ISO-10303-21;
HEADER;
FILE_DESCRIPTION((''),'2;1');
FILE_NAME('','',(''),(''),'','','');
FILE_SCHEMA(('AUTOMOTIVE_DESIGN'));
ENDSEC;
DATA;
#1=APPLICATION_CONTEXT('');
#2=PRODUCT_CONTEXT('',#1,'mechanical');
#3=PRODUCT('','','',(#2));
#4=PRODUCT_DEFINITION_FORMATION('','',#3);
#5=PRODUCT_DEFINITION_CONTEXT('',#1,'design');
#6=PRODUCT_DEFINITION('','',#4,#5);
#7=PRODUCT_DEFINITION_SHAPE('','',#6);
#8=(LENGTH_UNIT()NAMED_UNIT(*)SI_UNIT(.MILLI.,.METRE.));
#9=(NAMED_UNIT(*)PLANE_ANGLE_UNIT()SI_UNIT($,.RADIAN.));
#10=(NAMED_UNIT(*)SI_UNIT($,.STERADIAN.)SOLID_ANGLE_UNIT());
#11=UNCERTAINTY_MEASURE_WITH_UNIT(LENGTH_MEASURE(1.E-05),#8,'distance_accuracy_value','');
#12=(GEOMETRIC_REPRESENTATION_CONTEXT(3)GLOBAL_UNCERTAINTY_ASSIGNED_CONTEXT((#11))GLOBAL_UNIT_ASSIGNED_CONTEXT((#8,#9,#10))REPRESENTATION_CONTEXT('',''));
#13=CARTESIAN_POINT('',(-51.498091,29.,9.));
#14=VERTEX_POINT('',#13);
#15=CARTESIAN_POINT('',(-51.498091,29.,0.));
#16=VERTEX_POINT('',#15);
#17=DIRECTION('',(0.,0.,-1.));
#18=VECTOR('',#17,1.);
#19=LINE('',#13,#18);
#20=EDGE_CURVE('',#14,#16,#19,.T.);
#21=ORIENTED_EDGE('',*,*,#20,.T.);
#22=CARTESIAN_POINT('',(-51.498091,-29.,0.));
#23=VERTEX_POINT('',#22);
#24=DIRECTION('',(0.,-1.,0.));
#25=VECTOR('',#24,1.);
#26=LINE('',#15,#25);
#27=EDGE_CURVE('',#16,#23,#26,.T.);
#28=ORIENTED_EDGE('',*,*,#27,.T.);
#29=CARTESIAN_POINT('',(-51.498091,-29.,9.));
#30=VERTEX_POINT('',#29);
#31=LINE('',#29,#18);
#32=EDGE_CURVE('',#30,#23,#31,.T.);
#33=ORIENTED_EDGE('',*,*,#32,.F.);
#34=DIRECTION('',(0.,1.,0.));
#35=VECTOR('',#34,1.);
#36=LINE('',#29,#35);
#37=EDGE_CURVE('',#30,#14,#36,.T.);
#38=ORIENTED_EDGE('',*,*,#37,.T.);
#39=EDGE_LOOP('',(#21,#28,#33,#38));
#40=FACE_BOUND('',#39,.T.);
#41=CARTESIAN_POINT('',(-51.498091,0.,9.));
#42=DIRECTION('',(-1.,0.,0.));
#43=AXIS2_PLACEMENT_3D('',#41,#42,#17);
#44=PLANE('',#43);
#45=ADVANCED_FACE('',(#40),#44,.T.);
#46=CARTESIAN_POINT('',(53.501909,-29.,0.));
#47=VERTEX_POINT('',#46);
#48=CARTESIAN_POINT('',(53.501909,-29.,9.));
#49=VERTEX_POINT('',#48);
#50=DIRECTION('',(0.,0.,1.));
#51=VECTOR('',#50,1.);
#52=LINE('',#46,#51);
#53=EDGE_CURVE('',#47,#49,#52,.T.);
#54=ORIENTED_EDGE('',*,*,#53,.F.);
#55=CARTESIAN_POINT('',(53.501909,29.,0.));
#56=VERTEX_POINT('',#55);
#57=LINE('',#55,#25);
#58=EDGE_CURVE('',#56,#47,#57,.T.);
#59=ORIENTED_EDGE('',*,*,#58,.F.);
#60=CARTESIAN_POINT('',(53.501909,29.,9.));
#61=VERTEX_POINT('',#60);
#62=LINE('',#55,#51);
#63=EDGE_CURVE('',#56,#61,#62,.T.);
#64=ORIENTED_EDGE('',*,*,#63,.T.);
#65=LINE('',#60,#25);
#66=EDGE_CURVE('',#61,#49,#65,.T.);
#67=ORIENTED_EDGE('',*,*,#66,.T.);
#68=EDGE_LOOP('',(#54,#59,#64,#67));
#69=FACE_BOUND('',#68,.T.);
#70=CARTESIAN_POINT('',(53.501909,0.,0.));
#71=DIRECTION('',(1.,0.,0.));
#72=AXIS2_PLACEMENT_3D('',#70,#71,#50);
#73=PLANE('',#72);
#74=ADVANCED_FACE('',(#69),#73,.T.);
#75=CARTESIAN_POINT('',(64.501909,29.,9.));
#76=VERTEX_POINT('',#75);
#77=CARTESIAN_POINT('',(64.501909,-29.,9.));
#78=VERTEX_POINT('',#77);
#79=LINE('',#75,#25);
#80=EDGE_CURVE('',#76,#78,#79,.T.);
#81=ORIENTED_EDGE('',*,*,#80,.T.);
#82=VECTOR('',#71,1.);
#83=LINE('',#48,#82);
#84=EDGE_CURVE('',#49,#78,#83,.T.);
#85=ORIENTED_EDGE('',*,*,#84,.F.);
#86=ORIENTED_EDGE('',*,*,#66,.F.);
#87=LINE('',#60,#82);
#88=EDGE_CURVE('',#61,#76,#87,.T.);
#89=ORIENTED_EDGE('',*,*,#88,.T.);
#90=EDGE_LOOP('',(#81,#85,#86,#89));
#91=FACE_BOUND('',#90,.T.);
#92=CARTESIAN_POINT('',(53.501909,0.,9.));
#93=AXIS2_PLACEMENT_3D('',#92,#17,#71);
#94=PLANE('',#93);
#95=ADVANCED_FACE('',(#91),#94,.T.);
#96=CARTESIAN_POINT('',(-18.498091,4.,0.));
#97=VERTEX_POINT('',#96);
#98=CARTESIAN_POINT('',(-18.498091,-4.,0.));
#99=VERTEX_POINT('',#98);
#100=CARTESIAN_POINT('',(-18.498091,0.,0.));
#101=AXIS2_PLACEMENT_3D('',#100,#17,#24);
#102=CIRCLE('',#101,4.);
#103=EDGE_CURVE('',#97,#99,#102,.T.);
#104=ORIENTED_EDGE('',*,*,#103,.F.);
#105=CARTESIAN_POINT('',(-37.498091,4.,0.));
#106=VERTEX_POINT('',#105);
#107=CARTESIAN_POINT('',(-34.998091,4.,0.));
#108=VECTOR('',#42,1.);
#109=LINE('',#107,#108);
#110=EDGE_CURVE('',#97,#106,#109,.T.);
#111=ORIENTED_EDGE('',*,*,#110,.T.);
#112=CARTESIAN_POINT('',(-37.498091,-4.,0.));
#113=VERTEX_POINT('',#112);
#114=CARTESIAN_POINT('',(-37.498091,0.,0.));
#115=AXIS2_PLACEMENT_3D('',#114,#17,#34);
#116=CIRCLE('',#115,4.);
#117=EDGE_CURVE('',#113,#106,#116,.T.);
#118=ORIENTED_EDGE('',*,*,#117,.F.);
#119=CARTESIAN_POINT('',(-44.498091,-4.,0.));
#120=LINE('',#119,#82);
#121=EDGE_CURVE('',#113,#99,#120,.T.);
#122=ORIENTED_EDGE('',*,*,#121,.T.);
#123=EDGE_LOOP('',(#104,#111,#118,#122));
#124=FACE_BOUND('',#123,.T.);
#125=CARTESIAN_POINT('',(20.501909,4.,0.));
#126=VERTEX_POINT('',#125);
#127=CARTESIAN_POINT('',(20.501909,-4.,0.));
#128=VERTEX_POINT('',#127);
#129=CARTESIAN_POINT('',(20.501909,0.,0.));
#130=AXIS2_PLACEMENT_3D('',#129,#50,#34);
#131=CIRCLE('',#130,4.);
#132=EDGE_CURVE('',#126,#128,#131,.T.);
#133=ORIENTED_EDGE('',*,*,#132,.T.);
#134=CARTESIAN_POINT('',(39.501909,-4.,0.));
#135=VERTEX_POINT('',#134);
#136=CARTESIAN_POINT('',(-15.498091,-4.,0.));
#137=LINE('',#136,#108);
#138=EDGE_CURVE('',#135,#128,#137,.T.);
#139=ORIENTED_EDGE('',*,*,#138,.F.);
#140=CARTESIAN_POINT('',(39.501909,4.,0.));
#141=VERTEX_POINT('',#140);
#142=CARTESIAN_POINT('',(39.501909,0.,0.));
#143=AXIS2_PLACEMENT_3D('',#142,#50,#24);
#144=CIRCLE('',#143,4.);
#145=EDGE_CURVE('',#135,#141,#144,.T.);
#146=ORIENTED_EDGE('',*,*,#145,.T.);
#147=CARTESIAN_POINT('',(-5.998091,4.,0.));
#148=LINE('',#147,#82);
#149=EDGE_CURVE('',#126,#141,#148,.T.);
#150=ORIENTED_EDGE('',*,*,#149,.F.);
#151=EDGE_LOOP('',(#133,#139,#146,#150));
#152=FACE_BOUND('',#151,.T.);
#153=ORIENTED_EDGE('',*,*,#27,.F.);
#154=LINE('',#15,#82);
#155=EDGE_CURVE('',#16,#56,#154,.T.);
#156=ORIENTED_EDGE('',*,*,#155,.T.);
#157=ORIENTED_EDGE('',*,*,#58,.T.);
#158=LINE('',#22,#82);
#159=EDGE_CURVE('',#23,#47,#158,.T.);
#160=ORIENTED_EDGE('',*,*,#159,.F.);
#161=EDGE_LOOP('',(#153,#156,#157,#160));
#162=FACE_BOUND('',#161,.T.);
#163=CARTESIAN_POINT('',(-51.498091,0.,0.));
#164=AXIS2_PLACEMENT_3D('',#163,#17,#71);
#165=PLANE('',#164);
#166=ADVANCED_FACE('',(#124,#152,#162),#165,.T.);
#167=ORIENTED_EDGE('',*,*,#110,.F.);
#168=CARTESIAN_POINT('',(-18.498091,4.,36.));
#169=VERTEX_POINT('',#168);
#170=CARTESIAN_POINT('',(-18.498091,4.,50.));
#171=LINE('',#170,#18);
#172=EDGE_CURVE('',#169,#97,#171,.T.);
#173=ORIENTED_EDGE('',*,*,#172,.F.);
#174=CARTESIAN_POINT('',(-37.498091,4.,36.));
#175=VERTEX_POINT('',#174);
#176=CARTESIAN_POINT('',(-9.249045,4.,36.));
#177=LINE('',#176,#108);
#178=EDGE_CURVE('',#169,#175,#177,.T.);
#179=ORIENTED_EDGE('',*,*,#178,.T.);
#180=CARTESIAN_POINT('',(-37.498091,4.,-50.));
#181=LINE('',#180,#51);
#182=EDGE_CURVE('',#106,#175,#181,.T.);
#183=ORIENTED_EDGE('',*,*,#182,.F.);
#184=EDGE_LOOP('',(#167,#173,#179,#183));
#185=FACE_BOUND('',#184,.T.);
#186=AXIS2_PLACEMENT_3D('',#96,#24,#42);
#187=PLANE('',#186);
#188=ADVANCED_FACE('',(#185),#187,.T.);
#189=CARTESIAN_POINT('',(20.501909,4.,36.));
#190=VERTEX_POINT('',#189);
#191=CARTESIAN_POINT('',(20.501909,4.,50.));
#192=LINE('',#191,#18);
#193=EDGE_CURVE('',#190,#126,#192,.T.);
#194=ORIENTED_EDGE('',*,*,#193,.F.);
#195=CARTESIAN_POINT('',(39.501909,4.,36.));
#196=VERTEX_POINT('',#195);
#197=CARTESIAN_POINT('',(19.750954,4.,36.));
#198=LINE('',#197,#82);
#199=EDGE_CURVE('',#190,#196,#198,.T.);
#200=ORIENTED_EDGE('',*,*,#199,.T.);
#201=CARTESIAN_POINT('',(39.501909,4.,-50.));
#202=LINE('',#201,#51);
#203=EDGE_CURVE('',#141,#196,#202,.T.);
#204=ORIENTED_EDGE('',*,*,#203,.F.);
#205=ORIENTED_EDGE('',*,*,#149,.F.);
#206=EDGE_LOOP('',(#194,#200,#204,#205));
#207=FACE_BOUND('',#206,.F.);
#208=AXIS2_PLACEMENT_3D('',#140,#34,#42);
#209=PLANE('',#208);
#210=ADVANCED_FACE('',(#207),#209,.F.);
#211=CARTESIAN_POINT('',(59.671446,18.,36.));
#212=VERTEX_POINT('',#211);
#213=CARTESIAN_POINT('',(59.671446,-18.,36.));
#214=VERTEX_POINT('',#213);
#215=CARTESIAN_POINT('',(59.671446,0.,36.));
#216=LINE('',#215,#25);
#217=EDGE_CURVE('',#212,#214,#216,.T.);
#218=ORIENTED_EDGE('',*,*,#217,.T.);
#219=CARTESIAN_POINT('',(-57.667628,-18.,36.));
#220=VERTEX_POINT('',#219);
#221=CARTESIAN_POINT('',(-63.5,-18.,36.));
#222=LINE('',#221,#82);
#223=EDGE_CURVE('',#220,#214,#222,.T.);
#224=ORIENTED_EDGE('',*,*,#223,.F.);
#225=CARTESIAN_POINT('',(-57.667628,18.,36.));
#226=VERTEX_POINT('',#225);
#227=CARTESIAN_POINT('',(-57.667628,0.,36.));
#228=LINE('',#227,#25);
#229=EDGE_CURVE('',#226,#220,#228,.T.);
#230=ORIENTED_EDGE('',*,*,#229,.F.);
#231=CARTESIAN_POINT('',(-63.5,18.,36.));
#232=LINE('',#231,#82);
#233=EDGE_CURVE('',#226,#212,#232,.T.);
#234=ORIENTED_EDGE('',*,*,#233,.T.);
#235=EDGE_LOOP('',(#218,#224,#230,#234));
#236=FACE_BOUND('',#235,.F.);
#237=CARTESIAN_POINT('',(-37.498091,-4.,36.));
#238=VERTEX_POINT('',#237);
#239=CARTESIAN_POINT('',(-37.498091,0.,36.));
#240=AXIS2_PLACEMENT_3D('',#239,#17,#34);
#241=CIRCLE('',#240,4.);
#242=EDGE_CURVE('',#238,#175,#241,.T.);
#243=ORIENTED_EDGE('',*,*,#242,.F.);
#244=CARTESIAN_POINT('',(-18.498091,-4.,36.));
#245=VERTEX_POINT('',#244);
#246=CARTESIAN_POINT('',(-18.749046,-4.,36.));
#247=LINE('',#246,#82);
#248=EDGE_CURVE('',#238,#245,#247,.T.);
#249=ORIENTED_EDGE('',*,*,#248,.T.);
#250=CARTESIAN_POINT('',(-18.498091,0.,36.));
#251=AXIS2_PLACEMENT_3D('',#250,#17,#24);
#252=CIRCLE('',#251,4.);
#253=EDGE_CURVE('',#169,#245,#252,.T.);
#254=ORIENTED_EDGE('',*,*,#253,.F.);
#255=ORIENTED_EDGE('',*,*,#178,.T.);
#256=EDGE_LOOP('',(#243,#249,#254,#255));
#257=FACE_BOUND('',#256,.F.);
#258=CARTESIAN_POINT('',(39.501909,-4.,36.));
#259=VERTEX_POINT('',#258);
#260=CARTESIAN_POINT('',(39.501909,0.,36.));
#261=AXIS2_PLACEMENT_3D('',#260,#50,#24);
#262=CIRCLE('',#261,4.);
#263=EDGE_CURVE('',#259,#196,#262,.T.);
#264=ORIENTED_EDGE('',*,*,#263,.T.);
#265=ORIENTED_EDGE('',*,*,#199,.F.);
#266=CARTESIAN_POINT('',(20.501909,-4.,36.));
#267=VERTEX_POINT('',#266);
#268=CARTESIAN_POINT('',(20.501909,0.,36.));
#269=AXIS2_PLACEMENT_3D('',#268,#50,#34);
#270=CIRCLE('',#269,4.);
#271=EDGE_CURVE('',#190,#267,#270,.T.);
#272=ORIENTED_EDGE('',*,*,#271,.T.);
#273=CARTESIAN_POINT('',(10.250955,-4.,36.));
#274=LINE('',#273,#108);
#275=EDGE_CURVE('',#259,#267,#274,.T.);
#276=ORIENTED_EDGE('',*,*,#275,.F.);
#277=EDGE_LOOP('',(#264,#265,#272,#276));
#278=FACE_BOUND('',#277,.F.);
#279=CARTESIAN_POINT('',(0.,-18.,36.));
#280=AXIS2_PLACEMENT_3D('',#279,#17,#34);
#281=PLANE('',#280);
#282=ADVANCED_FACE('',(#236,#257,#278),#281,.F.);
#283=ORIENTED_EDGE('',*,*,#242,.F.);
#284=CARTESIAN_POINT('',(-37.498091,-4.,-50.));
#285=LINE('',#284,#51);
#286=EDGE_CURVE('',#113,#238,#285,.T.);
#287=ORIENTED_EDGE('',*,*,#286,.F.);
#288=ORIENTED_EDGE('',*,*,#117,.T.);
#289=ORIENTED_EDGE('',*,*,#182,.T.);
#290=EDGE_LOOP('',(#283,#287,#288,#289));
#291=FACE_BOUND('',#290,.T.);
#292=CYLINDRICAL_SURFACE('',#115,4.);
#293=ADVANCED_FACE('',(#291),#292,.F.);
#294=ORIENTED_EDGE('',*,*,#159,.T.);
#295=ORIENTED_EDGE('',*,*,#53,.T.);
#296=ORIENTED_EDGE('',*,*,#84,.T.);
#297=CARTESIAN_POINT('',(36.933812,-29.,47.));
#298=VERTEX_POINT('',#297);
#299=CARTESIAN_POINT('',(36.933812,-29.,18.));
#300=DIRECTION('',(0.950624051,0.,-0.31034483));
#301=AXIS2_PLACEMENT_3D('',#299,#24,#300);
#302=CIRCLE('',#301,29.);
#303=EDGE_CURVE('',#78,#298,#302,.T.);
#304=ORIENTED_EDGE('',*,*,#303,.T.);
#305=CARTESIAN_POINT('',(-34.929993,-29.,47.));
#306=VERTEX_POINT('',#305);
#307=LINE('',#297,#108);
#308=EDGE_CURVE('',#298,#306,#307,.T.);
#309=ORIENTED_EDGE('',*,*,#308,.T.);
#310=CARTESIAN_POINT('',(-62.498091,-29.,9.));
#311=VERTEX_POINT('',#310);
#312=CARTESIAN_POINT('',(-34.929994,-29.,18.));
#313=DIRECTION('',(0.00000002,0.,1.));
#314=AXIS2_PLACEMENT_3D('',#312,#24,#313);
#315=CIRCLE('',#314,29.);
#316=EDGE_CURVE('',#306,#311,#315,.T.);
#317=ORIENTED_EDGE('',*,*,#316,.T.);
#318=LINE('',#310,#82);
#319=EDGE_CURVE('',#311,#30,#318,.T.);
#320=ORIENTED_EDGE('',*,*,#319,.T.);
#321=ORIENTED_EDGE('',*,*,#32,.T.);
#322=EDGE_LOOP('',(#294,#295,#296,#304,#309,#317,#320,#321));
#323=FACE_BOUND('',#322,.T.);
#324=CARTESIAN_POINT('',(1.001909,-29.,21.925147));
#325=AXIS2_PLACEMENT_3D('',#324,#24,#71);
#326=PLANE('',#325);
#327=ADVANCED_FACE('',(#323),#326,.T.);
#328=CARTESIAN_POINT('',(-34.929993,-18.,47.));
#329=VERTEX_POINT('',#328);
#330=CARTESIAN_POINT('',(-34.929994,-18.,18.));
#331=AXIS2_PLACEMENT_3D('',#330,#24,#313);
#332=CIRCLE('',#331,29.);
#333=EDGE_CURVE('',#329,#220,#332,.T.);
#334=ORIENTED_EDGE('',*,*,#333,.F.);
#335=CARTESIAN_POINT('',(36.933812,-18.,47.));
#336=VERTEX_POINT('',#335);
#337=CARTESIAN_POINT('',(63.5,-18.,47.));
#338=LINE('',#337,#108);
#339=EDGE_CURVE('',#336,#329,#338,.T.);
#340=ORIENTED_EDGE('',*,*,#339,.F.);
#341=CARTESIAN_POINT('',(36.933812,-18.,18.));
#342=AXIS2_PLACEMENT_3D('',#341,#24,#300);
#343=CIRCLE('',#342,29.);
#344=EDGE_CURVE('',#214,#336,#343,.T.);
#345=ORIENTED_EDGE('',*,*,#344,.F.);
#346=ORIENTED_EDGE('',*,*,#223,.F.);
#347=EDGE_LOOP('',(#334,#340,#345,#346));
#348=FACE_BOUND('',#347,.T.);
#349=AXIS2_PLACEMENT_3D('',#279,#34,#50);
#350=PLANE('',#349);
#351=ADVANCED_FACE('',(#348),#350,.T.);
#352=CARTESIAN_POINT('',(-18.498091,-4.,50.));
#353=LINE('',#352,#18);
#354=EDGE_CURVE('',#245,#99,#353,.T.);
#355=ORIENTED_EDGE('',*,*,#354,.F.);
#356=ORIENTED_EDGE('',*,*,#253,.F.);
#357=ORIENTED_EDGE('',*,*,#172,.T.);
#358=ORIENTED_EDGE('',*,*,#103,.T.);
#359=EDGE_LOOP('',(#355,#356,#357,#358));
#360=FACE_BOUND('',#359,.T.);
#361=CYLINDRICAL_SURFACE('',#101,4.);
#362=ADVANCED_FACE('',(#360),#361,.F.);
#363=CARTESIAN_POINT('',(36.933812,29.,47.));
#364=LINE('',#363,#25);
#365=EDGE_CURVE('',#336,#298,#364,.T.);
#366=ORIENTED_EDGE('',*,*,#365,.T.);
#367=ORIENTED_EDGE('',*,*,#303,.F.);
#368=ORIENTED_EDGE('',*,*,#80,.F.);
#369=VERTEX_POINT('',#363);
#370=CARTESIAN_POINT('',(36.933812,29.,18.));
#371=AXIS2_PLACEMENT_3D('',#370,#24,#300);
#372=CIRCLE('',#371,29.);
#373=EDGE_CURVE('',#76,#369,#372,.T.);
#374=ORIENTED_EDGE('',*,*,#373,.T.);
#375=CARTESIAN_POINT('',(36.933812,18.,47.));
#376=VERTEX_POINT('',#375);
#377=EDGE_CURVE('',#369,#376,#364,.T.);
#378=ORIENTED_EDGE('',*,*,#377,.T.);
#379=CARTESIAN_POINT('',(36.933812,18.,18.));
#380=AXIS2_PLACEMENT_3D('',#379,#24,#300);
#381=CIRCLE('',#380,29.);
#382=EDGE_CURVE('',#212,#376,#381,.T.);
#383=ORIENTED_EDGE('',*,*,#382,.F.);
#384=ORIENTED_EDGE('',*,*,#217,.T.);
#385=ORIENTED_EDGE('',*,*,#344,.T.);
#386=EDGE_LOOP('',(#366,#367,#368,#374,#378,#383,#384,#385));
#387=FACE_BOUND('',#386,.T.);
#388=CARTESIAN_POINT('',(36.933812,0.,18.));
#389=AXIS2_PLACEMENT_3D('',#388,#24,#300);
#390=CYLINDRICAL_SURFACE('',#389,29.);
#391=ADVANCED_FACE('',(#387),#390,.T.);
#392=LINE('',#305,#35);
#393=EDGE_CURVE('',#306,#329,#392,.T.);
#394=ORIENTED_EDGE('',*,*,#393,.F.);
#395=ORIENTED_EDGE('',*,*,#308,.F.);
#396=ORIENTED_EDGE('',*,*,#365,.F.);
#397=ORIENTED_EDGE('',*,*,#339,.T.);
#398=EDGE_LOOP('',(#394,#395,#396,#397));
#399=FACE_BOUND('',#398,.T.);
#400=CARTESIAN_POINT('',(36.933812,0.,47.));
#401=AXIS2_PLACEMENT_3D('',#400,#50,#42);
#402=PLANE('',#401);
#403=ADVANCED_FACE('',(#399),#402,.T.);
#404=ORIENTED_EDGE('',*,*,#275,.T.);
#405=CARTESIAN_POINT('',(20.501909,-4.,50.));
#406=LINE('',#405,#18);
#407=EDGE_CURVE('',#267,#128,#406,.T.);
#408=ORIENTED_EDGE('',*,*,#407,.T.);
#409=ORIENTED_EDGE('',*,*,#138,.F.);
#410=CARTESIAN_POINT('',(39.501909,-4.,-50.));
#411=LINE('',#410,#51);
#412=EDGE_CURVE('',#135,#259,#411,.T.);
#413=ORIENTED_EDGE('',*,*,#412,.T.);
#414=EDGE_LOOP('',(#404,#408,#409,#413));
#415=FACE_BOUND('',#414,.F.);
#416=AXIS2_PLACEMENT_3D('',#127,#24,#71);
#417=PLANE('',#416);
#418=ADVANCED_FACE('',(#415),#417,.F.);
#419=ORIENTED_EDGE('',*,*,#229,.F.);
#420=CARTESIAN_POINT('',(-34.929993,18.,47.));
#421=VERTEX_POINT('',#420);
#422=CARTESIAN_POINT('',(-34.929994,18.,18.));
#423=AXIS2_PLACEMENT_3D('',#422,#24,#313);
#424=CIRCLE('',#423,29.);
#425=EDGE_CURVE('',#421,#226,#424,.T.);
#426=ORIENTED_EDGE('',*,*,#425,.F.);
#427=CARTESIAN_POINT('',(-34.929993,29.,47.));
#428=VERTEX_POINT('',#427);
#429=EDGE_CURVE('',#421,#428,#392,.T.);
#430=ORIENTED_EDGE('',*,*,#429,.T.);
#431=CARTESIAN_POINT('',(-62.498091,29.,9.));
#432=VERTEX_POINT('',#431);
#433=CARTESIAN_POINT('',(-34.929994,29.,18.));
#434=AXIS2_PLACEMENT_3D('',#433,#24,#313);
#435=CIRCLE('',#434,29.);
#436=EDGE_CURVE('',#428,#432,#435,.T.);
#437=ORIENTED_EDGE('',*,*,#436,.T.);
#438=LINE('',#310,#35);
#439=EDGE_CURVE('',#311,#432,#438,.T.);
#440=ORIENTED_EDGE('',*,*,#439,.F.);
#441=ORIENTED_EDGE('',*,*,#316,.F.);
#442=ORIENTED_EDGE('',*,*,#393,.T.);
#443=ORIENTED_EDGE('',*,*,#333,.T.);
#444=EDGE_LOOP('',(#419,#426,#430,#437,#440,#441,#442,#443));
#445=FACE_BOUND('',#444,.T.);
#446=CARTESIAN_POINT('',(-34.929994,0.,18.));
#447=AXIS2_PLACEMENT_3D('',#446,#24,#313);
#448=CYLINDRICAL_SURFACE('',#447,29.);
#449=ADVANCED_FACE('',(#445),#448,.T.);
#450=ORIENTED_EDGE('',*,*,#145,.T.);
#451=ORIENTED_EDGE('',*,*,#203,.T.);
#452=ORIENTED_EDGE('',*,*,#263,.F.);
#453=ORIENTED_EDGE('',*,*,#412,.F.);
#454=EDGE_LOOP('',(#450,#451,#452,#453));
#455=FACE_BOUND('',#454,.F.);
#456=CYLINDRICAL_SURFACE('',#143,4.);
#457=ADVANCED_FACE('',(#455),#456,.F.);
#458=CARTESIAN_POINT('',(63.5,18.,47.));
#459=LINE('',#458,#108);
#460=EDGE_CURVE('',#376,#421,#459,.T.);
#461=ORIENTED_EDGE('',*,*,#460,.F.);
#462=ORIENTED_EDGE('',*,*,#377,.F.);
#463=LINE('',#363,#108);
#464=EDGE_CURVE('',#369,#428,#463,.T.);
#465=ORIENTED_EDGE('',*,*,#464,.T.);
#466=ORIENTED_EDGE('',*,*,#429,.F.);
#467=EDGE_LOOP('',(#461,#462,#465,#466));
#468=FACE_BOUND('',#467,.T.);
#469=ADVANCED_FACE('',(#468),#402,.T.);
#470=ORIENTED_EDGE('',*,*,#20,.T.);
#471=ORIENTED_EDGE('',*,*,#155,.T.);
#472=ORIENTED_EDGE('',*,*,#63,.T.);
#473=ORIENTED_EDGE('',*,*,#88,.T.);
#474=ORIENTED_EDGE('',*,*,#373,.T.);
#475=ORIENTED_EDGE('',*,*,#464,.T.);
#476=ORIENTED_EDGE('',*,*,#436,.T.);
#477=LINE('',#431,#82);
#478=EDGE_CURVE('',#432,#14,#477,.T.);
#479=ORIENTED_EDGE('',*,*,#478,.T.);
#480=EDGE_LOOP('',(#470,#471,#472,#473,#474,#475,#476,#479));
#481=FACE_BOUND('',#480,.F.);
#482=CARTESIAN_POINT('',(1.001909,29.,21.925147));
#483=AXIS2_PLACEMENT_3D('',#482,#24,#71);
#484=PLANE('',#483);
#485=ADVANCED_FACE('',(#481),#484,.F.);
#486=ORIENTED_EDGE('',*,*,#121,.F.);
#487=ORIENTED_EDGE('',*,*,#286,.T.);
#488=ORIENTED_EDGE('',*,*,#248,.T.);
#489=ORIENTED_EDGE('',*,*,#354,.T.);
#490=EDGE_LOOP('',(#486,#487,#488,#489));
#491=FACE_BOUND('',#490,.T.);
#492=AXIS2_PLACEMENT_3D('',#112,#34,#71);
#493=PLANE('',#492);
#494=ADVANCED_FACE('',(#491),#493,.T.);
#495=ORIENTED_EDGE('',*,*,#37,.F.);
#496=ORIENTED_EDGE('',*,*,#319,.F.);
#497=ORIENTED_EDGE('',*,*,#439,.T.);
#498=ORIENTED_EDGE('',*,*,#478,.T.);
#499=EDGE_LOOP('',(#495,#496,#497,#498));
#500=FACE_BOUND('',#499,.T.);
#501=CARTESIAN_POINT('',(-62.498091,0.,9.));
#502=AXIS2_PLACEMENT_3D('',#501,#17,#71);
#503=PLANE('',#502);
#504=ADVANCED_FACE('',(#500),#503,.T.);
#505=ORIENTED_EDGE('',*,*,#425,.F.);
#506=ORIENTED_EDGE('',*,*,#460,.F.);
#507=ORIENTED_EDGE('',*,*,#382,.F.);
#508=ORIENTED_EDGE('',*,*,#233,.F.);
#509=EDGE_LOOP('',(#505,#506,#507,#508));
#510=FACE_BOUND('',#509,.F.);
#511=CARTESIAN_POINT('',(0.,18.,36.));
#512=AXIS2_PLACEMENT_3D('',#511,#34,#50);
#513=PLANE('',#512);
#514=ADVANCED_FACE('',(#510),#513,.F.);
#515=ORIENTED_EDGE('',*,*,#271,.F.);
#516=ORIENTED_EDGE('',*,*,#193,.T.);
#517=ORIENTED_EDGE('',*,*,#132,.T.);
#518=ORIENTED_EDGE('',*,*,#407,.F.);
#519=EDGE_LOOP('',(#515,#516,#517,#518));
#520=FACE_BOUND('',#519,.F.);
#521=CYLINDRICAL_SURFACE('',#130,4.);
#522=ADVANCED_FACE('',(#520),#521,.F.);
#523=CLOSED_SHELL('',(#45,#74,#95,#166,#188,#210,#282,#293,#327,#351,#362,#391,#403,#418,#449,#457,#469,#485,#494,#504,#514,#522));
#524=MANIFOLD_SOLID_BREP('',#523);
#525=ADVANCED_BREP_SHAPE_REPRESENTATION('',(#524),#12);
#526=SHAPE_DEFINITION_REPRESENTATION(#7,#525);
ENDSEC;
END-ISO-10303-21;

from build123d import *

# Parameters (mm, degrees)
F1_DEPTH = 29
F2_W     = 36
F2_H     = 11
F3_DEPTH = 63.5
F5_DEPTH = 50


with BuildPart() as f1:
    # F0 (on Front) → F1 (new body, symmetric)
    with BuildSketch(Plane.XZ):
        with BuildLine():
            Line((-51.498091, 9), (-51.498091, 0))
            Line((-51.498091, 0), (53.501909, 0))
            Line((53.501909, 0), (53.501909, 9))
            Line((53.501909, 9), (64.501909, 9))
            ThreePointArc((64.501909, 9), (60.407201, 35.029386), (36.933812, 47))
            Line((36.933812, 47), (-34.929993, 47))
            ThreePointArc((-34.929993, 47), (-58.403383, 35.029386), (-62.498091, 9))
            Line((-62.498091, 9), (-51.498091, 9))
        make_face()
    extrude(amount=F1_DEPTH, both=True)

    # F2 (on Right) → F3 (cut, symmetric)
    with BuildSketch(Plane.YZ):
        with Locations((0, 41.5)):
            Rectangle(F2_W, F2_H)
    extrude(amount=F3_DEPTH, both=True, mode=Mode.SUBTRACT)

    # F4 (on Top) → F5 (cut, symmetric)
    with BuildSketch(Plane.XY):
        with BuildLine():
            Line((-18.498091, 4), (-37.498091, 4))
            ThreePointArc((-37.498091, 4), (-41.498091, 0), (-37.498091, -4))
            Line((-37.498091, -4), (-18.498091, -4))
            ThreePointArc((-18.498091, -4), (-14.498091, 0), (-18.498091, 4))
        make_face()
        with BuildLine():
            Line((20.501909, -4), (39.501909, -4))
            ThreePointArc((39.501909, -4), (43.501909, 0), (39.501909, 4))
            Line((39.501909, 4), (20.501909, 4))
            ThreePointArc((20.501909, 4), (16.501909, 0), (20.501909, -4))
        make_face()
    extrude(amount=F5_DEPTH, both=True, mode=Mode.SUBTRACT)


solid = f1.part
